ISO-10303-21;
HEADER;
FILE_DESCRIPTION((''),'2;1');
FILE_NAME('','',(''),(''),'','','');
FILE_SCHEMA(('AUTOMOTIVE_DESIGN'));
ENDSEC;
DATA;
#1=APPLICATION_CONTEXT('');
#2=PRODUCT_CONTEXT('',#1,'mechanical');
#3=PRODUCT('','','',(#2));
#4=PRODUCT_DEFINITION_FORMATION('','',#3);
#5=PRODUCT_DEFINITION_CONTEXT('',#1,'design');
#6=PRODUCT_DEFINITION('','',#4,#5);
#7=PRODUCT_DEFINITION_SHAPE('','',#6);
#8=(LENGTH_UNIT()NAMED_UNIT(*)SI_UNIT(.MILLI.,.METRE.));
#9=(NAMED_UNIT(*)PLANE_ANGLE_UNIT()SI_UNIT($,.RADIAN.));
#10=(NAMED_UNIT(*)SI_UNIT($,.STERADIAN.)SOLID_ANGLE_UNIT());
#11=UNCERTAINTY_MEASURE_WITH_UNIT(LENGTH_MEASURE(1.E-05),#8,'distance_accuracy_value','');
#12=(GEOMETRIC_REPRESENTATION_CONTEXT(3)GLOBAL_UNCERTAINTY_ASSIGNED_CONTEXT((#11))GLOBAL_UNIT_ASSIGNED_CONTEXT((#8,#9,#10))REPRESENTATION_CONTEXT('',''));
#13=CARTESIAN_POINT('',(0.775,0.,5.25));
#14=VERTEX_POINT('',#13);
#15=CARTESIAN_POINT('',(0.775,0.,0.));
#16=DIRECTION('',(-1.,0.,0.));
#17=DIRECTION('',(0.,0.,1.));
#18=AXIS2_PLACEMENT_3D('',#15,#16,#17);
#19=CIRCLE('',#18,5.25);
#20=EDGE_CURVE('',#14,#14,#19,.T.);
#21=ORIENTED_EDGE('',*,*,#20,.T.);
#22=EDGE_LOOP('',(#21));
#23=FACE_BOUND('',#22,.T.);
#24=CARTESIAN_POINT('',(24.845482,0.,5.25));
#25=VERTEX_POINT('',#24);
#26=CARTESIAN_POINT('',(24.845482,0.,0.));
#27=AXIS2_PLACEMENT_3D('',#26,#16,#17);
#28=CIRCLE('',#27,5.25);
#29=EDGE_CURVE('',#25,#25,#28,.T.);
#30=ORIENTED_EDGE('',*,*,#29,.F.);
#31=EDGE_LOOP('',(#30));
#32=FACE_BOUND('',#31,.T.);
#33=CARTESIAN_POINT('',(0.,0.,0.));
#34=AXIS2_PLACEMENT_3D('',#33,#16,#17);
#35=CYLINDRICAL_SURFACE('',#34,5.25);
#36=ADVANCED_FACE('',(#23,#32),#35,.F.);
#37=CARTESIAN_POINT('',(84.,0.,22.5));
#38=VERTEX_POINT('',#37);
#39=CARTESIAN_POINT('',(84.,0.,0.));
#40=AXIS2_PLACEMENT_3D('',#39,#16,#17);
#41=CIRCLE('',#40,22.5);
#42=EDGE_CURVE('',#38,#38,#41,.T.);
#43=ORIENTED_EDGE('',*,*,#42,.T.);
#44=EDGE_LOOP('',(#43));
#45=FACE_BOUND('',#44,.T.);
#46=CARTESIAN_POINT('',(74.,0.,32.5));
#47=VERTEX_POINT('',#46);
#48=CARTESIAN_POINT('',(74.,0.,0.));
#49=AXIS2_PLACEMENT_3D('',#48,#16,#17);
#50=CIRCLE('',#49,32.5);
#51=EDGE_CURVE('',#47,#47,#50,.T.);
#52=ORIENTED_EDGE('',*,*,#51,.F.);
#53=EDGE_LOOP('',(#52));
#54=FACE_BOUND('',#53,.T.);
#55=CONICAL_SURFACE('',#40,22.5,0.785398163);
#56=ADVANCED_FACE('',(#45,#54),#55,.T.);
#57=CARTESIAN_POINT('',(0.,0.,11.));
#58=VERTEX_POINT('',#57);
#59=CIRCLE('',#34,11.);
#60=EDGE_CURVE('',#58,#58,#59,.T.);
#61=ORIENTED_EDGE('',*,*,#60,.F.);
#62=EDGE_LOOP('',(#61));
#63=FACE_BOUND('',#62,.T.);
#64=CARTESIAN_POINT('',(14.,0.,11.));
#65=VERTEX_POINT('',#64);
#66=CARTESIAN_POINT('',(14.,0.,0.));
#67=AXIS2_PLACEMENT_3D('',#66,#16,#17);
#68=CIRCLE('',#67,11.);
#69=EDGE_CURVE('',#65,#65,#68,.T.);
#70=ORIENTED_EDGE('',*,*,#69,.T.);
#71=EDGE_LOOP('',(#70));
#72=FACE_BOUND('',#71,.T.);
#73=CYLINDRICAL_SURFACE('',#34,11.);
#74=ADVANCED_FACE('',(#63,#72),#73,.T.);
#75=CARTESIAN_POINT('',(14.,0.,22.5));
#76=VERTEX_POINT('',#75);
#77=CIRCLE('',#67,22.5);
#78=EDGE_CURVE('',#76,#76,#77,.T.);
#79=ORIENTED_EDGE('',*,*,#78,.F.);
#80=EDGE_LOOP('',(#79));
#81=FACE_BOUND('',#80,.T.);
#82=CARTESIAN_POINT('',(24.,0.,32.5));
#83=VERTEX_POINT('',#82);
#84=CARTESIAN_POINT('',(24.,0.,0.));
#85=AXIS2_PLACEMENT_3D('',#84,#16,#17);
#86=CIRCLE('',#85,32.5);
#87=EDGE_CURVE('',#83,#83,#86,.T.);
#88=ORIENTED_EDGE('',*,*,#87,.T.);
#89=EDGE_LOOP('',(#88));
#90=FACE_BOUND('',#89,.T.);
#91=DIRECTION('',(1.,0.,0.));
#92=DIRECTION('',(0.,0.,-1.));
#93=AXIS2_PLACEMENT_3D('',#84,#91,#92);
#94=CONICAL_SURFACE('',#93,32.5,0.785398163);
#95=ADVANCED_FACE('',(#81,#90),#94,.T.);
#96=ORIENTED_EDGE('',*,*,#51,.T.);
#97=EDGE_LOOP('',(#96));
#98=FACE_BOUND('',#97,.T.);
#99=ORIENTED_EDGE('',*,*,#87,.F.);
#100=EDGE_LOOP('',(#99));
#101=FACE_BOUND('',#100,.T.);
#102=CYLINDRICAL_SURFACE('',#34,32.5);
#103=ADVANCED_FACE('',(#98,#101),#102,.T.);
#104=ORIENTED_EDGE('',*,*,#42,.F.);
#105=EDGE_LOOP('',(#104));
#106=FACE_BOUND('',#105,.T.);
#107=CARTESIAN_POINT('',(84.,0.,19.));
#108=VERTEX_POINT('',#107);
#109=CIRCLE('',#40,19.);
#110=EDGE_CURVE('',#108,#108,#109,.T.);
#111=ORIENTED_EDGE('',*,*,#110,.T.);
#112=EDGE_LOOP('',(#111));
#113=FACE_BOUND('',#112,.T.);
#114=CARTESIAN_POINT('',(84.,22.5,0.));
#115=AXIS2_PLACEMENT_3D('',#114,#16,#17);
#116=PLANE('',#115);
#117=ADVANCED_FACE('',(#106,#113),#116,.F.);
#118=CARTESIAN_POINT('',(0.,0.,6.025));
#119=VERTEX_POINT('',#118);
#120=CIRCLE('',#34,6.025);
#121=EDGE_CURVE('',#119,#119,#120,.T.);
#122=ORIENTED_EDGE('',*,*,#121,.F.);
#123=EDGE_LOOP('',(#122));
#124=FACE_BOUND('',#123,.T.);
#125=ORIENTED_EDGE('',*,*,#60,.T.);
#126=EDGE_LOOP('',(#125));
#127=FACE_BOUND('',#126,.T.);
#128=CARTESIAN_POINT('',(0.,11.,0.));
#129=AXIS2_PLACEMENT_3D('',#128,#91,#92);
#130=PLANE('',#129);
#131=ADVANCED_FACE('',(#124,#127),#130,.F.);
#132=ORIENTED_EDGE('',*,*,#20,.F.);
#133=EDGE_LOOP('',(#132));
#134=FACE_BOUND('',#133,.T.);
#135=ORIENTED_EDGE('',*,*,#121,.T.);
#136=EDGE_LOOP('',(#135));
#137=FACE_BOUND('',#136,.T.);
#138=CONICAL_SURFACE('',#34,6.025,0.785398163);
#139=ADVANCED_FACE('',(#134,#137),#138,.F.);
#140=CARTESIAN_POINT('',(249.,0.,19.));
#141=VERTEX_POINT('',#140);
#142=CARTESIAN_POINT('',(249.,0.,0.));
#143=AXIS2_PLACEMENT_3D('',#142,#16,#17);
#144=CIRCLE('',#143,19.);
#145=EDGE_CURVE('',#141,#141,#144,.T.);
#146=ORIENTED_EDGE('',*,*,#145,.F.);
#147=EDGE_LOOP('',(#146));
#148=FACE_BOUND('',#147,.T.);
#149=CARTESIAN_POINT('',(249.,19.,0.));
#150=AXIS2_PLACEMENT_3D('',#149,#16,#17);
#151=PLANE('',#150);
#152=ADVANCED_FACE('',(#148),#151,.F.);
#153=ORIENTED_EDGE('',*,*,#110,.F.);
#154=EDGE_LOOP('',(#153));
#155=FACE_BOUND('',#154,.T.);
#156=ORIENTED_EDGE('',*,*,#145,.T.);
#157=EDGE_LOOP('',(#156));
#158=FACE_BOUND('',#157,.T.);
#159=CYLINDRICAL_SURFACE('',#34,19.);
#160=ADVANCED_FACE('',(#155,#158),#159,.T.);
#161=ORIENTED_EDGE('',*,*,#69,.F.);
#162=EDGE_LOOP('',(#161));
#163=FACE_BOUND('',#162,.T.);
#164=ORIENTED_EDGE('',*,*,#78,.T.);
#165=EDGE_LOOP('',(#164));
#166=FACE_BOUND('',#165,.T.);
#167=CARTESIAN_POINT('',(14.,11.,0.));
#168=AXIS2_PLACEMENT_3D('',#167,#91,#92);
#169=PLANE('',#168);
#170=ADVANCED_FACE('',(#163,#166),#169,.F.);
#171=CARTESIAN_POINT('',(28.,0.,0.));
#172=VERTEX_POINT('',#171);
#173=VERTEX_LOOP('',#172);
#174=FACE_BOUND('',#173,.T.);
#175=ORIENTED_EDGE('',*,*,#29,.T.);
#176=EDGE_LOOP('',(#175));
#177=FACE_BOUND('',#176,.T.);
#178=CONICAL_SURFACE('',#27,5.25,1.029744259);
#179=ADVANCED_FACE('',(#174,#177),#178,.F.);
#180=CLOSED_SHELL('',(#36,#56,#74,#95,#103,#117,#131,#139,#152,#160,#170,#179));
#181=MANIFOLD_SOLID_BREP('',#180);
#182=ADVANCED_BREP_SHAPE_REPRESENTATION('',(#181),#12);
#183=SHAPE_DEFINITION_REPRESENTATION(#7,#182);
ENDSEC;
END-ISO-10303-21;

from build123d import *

# Parameters (mm, degrees)
M12X1_5_TAPPED_HOLE1_D           = 10.5
M12X1_5_TAPPED_HOLE1_DEPTH       = 24.84548175
M12X1_5_TAPPED_HOLE1_CSINK_D     = 12.05
M12X1_5_TAPPED_HOLE1_CSINK_ANGLE = 90
M12X1_5_TAPPED_HOLE1_TIP         = 3.15451825


with BuildPart() as part:
    # Sketch1 → Revolve1 (revolve)
    with BuildSketch(Plane.XY, mode=Mode.PRIVATE) as revolve1_sk:
        Polygon((0, 11), (14, 11), (14, 22.5), (24, 32.5), (74, 32.5), (84, 22.5), (84, 19), (249, 19), (249, 0), (0, 0), align=None)
    revolve(revolve1_sk.sketch.rotate(Axis((0, 0, 0), (1, 0, 0)), 90), axis=Axis((0, 0, 0), (1, 0, 0)))

    # M12x1.5 Tapped Hole1
    with Locations(Plane(origin=(0, 0, 0), x_dir=(0, 0, -1), z_dir=(-1, 0, 0))):
        with Locations((0, 0)):
            CounterSinkHole(M12X1_5_TAPPED_HOLE1_D / 2, M12X1_5_TAPPED_HOLE1_CSINK_D / 2, depth=M12X1_5_TAPPED_HOLE1_DEPTH, counter_sink_angle=M12X1_5_TAPPED_HOLE1_CSINK_ANGLE)
            with Locations((0, 0, -(M12X1_5_TAPPED_HOLE1_DEPTH + M12X1_5_TAPPED_HOLE1_TIP / 2))):  # 118° drill point
                Cone(0, M12X1_5_TAPPED_HOLE1_D / 2, M12X1_5_TAPPED_HOLE1_TIP, mode=Mode.SUBTRACT)


solid = part.part
